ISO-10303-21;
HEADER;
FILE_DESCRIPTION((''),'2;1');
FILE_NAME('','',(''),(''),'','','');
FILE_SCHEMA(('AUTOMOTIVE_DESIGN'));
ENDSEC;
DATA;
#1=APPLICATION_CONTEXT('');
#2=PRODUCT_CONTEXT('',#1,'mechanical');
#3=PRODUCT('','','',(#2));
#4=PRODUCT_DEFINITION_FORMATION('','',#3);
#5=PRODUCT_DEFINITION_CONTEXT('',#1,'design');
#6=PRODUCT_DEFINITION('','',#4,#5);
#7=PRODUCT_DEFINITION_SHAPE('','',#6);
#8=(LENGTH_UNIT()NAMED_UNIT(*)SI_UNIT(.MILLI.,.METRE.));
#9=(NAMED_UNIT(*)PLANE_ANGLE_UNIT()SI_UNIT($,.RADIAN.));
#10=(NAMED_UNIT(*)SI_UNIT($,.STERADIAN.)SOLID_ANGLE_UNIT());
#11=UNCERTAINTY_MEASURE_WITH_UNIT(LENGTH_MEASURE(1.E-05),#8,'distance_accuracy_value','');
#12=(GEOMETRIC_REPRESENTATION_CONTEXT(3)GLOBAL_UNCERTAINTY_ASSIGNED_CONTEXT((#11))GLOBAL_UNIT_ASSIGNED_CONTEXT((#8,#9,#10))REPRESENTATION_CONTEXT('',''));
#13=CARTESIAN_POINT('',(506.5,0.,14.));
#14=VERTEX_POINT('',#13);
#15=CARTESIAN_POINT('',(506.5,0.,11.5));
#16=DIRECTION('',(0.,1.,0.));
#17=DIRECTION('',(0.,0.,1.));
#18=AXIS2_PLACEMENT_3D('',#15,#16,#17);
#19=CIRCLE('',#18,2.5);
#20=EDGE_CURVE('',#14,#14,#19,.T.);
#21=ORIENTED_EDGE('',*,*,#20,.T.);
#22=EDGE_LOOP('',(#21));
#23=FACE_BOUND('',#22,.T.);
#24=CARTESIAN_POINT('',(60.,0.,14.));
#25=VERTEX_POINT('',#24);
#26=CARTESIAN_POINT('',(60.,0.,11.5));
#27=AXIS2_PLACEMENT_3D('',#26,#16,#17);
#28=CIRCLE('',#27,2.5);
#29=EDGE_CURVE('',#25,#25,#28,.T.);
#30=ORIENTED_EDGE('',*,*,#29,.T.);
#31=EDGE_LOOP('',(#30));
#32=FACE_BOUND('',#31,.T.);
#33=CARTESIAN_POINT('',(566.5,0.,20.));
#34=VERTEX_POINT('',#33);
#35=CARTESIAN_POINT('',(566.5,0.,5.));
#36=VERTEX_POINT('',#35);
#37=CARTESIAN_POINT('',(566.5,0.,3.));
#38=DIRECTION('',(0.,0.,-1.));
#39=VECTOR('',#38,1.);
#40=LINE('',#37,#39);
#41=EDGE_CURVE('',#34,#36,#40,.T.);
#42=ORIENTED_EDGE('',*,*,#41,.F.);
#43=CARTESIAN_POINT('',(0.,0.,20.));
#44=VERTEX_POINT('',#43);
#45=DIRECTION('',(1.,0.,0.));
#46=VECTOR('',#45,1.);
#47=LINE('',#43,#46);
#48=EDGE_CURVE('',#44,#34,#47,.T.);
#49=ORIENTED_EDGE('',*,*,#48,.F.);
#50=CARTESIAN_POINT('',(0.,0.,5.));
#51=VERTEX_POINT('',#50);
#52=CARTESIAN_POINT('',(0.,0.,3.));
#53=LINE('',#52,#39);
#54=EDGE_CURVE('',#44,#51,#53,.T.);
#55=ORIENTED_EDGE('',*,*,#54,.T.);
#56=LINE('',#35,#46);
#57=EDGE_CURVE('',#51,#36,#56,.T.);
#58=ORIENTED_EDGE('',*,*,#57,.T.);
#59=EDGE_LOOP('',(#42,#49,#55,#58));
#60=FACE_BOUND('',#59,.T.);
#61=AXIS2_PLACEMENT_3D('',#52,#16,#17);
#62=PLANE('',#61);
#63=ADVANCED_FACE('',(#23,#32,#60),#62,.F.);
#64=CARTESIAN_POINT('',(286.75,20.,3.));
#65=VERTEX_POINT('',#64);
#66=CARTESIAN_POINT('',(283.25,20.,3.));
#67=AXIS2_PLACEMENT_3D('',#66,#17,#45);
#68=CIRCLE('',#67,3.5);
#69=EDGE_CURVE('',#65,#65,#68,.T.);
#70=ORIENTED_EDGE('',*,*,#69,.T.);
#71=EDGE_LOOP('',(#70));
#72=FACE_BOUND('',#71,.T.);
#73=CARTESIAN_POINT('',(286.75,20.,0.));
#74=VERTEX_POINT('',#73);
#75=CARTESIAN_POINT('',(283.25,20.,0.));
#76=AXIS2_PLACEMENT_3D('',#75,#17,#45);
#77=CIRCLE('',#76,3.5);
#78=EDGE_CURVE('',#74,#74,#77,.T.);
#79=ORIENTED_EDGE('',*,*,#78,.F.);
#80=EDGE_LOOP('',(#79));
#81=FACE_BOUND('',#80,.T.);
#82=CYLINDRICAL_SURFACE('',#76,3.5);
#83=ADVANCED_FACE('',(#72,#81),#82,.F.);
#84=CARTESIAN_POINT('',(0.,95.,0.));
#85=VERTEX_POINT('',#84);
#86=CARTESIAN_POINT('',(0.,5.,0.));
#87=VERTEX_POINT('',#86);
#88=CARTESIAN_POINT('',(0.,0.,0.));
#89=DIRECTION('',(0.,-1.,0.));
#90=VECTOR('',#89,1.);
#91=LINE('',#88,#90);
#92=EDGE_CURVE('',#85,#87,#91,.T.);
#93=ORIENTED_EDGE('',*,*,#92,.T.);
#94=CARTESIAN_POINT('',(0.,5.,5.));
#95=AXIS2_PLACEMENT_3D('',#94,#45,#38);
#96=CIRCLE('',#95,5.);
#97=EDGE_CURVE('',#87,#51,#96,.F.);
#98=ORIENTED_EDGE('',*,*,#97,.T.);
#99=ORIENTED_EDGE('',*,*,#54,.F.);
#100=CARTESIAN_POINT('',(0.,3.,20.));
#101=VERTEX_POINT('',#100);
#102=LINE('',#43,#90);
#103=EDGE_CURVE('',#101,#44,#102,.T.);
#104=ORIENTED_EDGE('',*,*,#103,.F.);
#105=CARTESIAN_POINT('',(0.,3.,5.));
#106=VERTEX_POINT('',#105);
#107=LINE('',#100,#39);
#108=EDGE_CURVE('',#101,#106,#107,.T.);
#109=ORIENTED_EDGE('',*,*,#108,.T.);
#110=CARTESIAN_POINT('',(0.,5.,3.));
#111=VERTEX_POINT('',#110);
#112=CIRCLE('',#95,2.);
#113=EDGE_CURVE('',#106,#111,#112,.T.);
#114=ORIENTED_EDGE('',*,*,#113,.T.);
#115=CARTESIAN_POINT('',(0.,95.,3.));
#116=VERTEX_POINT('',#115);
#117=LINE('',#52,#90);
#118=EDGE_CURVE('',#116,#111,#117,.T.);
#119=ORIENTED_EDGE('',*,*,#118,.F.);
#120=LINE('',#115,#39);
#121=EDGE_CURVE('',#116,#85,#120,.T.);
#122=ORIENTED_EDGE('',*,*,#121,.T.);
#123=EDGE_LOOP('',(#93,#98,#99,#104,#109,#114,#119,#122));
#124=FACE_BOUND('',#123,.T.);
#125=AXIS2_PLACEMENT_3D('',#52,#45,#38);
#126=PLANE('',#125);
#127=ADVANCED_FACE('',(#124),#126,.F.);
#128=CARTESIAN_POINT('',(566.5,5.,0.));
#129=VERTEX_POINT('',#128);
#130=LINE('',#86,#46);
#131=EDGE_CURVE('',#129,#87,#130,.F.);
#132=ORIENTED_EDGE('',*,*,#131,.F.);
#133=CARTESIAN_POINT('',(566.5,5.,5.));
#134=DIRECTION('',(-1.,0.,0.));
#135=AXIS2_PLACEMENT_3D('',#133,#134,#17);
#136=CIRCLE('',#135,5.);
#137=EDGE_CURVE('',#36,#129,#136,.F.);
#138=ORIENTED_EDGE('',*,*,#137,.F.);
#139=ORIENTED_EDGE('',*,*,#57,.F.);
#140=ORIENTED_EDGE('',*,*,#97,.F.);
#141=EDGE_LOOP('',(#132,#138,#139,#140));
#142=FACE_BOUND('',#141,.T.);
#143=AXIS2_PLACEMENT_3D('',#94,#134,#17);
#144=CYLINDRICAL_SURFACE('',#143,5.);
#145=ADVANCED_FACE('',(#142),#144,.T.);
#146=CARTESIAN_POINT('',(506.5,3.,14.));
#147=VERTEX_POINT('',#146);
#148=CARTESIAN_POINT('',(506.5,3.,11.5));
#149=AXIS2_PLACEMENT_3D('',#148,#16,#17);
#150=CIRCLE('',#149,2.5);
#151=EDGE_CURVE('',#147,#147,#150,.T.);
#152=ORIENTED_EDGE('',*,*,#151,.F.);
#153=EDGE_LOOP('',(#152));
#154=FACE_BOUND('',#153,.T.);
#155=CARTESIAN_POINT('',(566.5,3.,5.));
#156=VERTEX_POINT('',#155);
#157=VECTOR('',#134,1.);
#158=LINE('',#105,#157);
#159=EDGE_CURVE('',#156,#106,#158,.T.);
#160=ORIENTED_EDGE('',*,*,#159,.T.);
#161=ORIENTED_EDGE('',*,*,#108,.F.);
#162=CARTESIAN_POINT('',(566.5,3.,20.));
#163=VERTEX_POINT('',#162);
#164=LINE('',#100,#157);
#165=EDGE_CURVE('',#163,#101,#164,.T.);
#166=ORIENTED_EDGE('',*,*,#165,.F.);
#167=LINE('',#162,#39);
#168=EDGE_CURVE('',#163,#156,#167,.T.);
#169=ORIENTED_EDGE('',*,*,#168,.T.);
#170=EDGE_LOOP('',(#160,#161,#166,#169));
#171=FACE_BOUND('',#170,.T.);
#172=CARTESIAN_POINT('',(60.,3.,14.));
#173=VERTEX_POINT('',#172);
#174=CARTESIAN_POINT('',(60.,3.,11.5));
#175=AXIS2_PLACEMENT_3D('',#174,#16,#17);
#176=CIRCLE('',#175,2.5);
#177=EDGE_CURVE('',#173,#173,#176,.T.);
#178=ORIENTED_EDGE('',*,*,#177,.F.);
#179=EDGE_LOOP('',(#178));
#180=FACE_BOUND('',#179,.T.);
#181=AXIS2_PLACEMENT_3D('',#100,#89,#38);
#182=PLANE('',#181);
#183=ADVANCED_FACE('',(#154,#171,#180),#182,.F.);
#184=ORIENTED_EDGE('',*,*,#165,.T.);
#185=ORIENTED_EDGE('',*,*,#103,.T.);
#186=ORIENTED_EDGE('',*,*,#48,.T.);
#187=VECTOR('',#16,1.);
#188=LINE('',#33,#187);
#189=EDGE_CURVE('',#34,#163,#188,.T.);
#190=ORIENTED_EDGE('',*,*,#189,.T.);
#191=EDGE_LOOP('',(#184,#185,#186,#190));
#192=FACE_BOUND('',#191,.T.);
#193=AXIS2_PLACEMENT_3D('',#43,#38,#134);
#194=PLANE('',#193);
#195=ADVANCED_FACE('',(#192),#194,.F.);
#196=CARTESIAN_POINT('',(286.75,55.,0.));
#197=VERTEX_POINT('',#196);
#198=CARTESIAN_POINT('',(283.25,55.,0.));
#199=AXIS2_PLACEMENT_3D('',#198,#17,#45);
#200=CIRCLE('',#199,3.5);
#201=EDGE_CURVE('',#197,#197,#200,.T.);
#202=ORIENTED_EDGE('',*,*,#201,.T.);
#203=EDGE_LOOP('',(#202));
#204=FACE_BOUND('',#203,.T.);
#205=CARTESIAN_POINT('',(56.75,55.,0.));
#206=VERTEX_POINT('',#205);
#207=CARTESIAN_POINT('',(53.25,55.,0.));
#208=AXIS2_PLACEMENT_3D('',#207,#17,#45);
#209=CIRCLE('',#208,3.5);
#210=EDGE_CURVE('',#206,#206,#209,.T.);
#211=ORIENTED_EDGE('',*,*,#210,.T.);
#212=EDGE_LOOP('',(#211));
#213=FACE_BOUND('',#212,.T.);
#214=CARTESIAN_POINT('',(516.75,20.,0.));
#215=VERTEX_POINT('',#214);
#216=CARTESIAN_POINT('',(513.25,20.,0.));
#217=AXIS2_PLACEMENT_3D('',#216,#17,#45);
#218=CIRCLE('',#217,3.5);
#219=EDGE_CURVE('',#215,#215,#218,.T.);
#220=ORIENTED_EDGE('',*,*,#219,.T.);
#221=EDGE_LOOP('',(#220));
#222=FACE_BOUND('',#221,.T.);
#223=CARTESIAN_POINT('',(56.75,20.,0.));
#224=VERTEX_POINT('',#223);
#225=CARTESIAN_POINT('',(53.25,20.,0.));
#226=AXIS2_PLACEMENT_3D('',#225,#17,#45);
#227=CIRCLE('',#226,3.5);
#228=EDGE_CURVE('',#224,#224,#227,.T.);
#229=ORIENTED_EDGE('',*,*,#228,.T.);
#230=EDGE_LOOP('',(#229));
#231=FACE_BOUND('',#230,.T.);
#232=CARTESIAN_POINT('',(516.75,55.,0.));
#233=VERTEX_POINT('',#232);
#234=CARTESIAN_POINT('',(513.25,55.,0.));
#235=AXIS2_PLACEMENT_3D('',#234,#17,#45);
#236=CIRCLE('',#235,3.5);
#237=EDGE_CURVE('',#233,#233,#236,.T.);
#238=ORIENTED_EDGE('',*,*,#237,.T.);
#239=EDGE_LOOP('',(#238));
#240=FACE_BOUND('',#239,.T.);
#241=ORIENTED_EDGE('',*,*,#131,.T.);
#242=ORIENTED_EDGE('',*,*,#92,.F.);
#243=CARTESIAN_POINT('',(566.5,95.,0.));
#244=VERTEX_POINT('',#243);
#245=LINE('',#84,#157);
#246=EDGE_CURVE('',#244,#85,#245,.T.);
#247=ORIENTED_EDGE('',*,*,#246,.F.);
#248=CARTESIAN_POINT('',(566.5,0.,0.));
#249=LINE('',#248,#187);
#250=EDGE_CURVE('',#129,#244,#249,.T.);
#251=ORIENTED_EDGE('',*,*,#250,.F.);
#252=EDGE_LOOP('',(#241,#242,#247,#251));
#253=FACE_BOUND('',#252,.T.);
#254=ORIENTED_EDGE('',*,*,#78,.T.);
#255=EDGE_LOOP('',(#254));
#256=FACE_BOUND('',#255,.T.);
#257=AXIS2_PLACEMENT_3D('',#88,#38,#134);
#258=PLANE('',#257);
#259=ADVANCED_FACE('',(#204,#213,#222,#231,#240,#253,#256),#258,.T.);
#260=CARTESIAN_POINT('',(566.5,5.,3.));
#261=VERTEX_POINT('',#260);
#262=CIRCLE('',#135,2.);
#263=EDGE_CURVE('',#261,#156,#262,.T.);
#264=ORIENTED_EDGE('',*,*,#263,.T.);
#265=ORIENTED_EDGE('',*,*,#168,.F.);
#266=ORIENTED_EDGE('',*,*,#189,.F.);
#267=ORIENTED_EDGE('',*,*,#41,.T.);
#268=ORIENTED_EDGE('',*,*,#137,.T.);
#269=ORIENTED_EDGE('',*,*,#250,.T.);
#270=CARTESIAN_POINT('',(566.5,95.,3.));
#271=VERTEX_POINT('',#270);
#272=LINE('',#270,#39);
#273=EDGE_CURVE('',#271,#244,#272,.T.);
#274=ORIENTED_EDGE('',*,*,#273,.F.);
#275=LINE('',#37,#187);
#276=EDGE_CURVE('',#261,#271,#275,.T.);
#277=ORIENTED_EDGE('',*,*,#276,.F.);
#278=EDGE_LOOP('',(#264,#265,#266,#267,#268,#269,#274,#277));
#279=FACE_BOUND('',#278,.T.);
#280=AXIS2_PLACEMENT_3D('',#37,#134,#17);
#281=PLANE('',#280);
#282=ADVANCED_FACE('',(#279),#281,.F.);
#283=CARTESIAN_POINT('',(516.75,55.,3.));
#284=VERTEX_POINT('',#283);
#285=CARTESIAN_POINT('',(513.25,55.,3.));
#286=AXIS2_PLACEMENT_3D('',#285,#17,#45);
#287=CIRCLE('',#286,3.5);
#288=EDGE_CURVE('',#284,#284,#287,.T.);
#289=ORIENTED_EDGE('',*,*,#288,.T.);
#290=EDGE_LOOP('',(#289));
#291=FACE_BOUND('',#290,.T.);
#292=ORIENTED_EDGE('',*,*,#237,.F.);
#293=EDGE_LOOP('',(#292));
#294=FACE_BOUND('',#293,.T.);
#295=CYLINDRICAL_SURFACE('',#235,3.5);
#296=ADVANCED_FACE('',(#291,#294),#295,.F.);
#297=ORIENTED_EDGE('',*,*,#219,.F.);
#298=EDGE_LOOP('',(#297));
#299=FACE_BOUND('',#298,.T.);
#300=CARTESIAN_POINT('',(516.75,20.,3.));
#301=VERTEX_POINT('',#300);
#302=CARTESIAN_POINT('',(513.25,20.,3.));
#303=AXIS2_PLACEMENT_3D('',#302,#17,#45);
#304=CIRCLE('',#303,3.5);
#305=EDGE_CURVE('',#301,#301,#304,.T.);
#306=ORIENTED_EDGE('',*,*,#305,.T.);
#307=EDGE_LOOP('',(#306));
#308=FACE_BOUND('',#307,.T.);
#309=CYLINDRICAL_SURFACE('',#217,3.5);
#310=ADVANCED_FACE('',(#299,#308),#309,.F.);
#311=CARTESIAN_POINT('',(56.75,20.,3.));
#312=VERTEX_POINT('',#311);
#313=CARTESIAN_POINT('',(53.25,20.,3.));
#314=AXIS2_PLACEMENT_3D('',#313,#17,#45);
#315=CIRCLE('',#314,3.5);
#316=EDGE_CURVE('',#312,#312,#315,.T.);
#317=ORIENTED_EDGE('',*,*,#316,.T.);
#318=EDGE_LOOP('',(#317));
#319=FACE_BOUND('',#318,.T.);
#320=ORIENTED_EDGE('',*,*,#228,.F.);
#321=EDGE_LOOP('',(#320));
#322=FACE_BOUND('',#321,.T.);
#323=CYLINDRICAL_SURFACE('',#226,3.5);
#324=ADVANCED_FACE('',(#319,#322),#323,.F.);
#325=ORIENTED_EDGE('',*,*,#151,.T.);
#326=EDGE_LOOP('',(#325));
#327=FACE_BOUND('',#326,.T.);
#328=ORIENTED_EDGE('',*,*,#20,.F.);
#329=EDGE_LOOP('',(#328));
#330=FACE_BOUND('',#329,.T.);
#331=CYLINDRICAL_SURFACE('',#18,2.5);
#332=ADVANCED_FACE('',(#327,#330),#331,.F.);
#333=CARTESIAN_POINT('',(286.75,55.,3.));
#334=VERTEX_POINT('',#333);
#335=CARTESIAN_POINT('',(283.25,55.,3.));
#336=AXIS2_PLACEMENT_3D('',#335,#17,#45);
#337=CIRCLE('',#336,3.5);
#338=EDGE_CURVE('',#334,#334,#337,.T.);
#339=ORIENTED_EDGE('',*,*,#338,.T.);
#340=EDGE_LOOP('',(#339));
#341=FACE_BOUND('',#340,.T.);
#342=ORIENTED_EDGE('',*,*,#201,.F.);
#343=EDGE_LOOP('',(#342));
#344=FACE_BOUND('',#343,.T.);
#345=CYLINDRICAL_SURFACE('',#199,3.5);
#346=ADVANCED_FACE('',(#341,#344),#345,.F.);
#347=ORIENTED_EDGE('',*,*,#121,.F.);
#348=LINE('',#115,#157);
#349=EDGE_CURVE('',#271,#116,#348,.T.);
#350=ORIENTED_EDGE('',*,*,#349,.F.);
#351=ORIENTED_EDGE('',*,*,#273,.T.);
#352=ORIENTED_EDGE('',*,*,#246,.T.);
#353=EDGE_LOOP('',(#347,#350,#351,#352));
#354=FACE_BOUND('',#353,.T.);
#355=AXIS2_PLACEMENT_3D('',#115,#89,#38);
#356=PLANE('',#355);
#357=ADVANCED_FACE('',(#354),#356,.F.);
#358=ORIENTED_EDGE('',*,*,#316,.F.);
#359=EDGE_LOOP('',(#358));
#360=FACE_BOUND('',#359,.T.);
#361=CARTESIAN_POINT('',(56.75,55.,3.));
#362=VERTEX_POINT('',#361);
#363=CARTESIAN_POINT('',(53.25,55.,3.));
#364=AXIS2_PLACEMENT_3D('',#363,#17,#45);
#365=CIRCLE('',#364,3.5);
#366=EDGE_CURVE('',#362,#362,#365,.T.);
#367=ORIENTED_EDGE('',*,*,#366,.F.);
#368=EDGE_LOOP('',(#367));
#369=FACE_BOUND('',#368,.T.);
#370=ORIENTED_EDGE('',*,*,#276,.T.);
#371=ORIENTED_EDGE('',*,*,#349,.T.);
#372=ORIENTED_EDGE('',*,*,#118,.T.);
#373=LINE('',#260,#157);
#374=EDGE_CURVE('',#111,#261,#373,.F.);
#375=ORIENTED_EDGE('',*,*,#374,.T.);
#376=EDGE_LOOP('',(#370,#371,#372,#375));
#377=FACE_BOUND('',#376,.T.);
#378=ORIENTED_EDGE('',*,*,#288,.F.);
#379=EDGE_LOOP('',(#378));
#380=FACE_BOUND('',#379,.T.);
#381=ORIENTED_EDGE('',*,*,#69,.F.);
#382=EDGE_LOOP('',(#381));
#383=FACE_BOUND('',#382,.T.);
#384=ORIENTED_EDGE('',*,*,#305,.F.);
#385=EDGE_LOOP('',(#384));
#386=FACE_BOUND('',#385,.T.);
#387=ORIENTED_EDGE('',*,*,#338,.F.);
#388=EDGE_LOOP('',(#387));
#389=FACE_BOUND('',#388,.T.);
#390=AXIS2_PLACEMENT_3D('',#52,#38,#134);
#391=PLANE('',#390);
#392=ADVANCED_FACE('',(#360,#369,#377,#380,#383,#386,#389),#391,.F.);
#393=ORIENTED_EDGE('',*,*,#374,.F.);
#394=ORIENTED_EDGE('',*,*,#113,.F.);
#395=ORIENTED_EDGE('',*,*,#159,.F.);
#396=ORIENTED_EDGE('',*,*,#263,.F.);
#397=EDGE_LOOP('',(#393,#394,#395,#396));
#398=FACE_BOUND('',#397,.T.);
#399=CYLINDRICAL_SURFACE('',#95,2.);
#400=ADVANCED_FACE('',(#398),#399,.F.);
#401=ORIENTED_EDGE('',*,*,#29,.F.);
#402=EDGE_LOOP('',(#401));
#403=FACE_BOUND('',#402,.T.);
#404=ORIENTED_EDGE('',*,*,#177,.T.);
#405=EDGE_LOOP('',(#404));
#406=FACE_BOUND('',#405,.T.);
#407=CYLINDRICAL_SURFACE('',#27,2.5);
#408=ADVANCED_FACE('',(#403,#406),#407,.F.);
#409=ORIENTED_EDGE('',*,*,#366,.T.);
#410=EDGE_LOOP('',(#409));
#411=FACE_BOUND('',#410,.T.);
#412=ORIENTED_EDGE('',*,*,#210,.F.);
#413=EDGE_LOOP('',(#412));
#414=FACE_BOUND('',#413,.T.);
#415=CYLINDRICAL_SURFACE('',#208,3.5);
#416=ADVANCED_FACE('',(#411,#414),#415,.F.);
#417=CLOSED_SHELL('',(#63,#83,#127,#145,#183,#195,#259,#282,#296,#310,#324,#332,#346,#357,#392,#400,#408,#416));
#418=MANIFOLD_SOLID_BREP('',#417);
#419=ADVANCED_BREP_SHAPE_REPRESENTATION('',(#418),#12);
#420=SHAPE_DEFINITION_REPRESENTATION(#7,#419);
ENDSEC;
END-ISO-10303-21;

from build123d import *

# Parameters (mm, degrees)
SKETCH_1_W          = 566.5
SKETCH_1_H          = 95
EXTRUDE_1_DEPTH     = 3
SKETCH_2_W          = 566.5
SKETCH_2_H          = 3
EXTRUDE_2_DEPTH     = 17
SKETCH_3_R          = 3.5
CUT_EXTRUDE_1_DEPTH = 575.661857095
SKETCH_4_R          = 2.5
CUT_EXTRUDE_2_DEPTH = 575.270189023
FILLET_1_R          = 5
FILLET_2_R          = 2


with BuildPart() as part:
    # 스케치1 → 보스-돌출1 (new body)
    with BuildSketch(Plane.XY):
        with Locations((283.25, 47.5)):
            Rectangle(SKETCH_1_W, SKETCH_1_H)
    extrude(amount=EXTRUDE_1_DEPTH)

    # 스케치2 → 보스-돌출2 (add)
    with BuildSketch(Plane.XY.offset(3)):
        with Locations((283.25, 1.5)):
            Rectangle(SKETCH_2_W, SKETCH_2_H)
    extrude(amount=EXTRUDE_2_DEPTH)

    # 스케치3 → 컷-돌출1 (cut, through all)
    with BuildSketch(Plane.XY.offset(3)):
        with Locations((53.25, 55)):
            Circle(SKETCH_3_R)
        with Locations((53.25, 20)):
            Circle(SKETCH_3_R)
        with Locations((283.25, 55)):
            Circle(SKETCH_3_R)
        with Locations((283.25, 20)):
            Circle(SKETCH_3_R)
        with Locations((513.25, 55)):
            Circle(SKETCH_3_R)
        with Locations((513.25, 20)):
            Circle(SKETCH_3_R)
    extrude(amount=-CUT_EXTRUDE_1_DEPTH, mode=Mode.SUBTRACT)

    # 스케치4 → 컷-돌출2 (cut, through all)
    with BuildSketch(Plane(origin=(0, 3, 0), x_dir=(1, 0, 0), z_dir=(0, 1, 0))):
        with Locations(Location((60, -11.5, 0), (0, 0, 270))):
            Circle(SKETCH_4_R)
        with Locations(Location((506.5, -11.5, 0), (0, 0, 270))):
            Circle(SKETCH_4_R)
    extrude(amount=-CUT_EXTRUDE_2_DEPTH, mode=Mode.SUBTRACT)

    # 필렛1
    fillet_1_edges = [part.edges().sort_by_distance(p)[0] for p in [
        (283.25, 0, 0),
    ]]
    fillet(fillet_1_edges, radius=FILLET_1_R)

    # 필렛2
    fillet_2_edges = [part.edges().sort_by_distance(p)[0] for p in [
        (283.25, 3, 3),
    ]]
    fillet(fillet_2_edges, radius=FILLET_2_R)


solid = part.part
